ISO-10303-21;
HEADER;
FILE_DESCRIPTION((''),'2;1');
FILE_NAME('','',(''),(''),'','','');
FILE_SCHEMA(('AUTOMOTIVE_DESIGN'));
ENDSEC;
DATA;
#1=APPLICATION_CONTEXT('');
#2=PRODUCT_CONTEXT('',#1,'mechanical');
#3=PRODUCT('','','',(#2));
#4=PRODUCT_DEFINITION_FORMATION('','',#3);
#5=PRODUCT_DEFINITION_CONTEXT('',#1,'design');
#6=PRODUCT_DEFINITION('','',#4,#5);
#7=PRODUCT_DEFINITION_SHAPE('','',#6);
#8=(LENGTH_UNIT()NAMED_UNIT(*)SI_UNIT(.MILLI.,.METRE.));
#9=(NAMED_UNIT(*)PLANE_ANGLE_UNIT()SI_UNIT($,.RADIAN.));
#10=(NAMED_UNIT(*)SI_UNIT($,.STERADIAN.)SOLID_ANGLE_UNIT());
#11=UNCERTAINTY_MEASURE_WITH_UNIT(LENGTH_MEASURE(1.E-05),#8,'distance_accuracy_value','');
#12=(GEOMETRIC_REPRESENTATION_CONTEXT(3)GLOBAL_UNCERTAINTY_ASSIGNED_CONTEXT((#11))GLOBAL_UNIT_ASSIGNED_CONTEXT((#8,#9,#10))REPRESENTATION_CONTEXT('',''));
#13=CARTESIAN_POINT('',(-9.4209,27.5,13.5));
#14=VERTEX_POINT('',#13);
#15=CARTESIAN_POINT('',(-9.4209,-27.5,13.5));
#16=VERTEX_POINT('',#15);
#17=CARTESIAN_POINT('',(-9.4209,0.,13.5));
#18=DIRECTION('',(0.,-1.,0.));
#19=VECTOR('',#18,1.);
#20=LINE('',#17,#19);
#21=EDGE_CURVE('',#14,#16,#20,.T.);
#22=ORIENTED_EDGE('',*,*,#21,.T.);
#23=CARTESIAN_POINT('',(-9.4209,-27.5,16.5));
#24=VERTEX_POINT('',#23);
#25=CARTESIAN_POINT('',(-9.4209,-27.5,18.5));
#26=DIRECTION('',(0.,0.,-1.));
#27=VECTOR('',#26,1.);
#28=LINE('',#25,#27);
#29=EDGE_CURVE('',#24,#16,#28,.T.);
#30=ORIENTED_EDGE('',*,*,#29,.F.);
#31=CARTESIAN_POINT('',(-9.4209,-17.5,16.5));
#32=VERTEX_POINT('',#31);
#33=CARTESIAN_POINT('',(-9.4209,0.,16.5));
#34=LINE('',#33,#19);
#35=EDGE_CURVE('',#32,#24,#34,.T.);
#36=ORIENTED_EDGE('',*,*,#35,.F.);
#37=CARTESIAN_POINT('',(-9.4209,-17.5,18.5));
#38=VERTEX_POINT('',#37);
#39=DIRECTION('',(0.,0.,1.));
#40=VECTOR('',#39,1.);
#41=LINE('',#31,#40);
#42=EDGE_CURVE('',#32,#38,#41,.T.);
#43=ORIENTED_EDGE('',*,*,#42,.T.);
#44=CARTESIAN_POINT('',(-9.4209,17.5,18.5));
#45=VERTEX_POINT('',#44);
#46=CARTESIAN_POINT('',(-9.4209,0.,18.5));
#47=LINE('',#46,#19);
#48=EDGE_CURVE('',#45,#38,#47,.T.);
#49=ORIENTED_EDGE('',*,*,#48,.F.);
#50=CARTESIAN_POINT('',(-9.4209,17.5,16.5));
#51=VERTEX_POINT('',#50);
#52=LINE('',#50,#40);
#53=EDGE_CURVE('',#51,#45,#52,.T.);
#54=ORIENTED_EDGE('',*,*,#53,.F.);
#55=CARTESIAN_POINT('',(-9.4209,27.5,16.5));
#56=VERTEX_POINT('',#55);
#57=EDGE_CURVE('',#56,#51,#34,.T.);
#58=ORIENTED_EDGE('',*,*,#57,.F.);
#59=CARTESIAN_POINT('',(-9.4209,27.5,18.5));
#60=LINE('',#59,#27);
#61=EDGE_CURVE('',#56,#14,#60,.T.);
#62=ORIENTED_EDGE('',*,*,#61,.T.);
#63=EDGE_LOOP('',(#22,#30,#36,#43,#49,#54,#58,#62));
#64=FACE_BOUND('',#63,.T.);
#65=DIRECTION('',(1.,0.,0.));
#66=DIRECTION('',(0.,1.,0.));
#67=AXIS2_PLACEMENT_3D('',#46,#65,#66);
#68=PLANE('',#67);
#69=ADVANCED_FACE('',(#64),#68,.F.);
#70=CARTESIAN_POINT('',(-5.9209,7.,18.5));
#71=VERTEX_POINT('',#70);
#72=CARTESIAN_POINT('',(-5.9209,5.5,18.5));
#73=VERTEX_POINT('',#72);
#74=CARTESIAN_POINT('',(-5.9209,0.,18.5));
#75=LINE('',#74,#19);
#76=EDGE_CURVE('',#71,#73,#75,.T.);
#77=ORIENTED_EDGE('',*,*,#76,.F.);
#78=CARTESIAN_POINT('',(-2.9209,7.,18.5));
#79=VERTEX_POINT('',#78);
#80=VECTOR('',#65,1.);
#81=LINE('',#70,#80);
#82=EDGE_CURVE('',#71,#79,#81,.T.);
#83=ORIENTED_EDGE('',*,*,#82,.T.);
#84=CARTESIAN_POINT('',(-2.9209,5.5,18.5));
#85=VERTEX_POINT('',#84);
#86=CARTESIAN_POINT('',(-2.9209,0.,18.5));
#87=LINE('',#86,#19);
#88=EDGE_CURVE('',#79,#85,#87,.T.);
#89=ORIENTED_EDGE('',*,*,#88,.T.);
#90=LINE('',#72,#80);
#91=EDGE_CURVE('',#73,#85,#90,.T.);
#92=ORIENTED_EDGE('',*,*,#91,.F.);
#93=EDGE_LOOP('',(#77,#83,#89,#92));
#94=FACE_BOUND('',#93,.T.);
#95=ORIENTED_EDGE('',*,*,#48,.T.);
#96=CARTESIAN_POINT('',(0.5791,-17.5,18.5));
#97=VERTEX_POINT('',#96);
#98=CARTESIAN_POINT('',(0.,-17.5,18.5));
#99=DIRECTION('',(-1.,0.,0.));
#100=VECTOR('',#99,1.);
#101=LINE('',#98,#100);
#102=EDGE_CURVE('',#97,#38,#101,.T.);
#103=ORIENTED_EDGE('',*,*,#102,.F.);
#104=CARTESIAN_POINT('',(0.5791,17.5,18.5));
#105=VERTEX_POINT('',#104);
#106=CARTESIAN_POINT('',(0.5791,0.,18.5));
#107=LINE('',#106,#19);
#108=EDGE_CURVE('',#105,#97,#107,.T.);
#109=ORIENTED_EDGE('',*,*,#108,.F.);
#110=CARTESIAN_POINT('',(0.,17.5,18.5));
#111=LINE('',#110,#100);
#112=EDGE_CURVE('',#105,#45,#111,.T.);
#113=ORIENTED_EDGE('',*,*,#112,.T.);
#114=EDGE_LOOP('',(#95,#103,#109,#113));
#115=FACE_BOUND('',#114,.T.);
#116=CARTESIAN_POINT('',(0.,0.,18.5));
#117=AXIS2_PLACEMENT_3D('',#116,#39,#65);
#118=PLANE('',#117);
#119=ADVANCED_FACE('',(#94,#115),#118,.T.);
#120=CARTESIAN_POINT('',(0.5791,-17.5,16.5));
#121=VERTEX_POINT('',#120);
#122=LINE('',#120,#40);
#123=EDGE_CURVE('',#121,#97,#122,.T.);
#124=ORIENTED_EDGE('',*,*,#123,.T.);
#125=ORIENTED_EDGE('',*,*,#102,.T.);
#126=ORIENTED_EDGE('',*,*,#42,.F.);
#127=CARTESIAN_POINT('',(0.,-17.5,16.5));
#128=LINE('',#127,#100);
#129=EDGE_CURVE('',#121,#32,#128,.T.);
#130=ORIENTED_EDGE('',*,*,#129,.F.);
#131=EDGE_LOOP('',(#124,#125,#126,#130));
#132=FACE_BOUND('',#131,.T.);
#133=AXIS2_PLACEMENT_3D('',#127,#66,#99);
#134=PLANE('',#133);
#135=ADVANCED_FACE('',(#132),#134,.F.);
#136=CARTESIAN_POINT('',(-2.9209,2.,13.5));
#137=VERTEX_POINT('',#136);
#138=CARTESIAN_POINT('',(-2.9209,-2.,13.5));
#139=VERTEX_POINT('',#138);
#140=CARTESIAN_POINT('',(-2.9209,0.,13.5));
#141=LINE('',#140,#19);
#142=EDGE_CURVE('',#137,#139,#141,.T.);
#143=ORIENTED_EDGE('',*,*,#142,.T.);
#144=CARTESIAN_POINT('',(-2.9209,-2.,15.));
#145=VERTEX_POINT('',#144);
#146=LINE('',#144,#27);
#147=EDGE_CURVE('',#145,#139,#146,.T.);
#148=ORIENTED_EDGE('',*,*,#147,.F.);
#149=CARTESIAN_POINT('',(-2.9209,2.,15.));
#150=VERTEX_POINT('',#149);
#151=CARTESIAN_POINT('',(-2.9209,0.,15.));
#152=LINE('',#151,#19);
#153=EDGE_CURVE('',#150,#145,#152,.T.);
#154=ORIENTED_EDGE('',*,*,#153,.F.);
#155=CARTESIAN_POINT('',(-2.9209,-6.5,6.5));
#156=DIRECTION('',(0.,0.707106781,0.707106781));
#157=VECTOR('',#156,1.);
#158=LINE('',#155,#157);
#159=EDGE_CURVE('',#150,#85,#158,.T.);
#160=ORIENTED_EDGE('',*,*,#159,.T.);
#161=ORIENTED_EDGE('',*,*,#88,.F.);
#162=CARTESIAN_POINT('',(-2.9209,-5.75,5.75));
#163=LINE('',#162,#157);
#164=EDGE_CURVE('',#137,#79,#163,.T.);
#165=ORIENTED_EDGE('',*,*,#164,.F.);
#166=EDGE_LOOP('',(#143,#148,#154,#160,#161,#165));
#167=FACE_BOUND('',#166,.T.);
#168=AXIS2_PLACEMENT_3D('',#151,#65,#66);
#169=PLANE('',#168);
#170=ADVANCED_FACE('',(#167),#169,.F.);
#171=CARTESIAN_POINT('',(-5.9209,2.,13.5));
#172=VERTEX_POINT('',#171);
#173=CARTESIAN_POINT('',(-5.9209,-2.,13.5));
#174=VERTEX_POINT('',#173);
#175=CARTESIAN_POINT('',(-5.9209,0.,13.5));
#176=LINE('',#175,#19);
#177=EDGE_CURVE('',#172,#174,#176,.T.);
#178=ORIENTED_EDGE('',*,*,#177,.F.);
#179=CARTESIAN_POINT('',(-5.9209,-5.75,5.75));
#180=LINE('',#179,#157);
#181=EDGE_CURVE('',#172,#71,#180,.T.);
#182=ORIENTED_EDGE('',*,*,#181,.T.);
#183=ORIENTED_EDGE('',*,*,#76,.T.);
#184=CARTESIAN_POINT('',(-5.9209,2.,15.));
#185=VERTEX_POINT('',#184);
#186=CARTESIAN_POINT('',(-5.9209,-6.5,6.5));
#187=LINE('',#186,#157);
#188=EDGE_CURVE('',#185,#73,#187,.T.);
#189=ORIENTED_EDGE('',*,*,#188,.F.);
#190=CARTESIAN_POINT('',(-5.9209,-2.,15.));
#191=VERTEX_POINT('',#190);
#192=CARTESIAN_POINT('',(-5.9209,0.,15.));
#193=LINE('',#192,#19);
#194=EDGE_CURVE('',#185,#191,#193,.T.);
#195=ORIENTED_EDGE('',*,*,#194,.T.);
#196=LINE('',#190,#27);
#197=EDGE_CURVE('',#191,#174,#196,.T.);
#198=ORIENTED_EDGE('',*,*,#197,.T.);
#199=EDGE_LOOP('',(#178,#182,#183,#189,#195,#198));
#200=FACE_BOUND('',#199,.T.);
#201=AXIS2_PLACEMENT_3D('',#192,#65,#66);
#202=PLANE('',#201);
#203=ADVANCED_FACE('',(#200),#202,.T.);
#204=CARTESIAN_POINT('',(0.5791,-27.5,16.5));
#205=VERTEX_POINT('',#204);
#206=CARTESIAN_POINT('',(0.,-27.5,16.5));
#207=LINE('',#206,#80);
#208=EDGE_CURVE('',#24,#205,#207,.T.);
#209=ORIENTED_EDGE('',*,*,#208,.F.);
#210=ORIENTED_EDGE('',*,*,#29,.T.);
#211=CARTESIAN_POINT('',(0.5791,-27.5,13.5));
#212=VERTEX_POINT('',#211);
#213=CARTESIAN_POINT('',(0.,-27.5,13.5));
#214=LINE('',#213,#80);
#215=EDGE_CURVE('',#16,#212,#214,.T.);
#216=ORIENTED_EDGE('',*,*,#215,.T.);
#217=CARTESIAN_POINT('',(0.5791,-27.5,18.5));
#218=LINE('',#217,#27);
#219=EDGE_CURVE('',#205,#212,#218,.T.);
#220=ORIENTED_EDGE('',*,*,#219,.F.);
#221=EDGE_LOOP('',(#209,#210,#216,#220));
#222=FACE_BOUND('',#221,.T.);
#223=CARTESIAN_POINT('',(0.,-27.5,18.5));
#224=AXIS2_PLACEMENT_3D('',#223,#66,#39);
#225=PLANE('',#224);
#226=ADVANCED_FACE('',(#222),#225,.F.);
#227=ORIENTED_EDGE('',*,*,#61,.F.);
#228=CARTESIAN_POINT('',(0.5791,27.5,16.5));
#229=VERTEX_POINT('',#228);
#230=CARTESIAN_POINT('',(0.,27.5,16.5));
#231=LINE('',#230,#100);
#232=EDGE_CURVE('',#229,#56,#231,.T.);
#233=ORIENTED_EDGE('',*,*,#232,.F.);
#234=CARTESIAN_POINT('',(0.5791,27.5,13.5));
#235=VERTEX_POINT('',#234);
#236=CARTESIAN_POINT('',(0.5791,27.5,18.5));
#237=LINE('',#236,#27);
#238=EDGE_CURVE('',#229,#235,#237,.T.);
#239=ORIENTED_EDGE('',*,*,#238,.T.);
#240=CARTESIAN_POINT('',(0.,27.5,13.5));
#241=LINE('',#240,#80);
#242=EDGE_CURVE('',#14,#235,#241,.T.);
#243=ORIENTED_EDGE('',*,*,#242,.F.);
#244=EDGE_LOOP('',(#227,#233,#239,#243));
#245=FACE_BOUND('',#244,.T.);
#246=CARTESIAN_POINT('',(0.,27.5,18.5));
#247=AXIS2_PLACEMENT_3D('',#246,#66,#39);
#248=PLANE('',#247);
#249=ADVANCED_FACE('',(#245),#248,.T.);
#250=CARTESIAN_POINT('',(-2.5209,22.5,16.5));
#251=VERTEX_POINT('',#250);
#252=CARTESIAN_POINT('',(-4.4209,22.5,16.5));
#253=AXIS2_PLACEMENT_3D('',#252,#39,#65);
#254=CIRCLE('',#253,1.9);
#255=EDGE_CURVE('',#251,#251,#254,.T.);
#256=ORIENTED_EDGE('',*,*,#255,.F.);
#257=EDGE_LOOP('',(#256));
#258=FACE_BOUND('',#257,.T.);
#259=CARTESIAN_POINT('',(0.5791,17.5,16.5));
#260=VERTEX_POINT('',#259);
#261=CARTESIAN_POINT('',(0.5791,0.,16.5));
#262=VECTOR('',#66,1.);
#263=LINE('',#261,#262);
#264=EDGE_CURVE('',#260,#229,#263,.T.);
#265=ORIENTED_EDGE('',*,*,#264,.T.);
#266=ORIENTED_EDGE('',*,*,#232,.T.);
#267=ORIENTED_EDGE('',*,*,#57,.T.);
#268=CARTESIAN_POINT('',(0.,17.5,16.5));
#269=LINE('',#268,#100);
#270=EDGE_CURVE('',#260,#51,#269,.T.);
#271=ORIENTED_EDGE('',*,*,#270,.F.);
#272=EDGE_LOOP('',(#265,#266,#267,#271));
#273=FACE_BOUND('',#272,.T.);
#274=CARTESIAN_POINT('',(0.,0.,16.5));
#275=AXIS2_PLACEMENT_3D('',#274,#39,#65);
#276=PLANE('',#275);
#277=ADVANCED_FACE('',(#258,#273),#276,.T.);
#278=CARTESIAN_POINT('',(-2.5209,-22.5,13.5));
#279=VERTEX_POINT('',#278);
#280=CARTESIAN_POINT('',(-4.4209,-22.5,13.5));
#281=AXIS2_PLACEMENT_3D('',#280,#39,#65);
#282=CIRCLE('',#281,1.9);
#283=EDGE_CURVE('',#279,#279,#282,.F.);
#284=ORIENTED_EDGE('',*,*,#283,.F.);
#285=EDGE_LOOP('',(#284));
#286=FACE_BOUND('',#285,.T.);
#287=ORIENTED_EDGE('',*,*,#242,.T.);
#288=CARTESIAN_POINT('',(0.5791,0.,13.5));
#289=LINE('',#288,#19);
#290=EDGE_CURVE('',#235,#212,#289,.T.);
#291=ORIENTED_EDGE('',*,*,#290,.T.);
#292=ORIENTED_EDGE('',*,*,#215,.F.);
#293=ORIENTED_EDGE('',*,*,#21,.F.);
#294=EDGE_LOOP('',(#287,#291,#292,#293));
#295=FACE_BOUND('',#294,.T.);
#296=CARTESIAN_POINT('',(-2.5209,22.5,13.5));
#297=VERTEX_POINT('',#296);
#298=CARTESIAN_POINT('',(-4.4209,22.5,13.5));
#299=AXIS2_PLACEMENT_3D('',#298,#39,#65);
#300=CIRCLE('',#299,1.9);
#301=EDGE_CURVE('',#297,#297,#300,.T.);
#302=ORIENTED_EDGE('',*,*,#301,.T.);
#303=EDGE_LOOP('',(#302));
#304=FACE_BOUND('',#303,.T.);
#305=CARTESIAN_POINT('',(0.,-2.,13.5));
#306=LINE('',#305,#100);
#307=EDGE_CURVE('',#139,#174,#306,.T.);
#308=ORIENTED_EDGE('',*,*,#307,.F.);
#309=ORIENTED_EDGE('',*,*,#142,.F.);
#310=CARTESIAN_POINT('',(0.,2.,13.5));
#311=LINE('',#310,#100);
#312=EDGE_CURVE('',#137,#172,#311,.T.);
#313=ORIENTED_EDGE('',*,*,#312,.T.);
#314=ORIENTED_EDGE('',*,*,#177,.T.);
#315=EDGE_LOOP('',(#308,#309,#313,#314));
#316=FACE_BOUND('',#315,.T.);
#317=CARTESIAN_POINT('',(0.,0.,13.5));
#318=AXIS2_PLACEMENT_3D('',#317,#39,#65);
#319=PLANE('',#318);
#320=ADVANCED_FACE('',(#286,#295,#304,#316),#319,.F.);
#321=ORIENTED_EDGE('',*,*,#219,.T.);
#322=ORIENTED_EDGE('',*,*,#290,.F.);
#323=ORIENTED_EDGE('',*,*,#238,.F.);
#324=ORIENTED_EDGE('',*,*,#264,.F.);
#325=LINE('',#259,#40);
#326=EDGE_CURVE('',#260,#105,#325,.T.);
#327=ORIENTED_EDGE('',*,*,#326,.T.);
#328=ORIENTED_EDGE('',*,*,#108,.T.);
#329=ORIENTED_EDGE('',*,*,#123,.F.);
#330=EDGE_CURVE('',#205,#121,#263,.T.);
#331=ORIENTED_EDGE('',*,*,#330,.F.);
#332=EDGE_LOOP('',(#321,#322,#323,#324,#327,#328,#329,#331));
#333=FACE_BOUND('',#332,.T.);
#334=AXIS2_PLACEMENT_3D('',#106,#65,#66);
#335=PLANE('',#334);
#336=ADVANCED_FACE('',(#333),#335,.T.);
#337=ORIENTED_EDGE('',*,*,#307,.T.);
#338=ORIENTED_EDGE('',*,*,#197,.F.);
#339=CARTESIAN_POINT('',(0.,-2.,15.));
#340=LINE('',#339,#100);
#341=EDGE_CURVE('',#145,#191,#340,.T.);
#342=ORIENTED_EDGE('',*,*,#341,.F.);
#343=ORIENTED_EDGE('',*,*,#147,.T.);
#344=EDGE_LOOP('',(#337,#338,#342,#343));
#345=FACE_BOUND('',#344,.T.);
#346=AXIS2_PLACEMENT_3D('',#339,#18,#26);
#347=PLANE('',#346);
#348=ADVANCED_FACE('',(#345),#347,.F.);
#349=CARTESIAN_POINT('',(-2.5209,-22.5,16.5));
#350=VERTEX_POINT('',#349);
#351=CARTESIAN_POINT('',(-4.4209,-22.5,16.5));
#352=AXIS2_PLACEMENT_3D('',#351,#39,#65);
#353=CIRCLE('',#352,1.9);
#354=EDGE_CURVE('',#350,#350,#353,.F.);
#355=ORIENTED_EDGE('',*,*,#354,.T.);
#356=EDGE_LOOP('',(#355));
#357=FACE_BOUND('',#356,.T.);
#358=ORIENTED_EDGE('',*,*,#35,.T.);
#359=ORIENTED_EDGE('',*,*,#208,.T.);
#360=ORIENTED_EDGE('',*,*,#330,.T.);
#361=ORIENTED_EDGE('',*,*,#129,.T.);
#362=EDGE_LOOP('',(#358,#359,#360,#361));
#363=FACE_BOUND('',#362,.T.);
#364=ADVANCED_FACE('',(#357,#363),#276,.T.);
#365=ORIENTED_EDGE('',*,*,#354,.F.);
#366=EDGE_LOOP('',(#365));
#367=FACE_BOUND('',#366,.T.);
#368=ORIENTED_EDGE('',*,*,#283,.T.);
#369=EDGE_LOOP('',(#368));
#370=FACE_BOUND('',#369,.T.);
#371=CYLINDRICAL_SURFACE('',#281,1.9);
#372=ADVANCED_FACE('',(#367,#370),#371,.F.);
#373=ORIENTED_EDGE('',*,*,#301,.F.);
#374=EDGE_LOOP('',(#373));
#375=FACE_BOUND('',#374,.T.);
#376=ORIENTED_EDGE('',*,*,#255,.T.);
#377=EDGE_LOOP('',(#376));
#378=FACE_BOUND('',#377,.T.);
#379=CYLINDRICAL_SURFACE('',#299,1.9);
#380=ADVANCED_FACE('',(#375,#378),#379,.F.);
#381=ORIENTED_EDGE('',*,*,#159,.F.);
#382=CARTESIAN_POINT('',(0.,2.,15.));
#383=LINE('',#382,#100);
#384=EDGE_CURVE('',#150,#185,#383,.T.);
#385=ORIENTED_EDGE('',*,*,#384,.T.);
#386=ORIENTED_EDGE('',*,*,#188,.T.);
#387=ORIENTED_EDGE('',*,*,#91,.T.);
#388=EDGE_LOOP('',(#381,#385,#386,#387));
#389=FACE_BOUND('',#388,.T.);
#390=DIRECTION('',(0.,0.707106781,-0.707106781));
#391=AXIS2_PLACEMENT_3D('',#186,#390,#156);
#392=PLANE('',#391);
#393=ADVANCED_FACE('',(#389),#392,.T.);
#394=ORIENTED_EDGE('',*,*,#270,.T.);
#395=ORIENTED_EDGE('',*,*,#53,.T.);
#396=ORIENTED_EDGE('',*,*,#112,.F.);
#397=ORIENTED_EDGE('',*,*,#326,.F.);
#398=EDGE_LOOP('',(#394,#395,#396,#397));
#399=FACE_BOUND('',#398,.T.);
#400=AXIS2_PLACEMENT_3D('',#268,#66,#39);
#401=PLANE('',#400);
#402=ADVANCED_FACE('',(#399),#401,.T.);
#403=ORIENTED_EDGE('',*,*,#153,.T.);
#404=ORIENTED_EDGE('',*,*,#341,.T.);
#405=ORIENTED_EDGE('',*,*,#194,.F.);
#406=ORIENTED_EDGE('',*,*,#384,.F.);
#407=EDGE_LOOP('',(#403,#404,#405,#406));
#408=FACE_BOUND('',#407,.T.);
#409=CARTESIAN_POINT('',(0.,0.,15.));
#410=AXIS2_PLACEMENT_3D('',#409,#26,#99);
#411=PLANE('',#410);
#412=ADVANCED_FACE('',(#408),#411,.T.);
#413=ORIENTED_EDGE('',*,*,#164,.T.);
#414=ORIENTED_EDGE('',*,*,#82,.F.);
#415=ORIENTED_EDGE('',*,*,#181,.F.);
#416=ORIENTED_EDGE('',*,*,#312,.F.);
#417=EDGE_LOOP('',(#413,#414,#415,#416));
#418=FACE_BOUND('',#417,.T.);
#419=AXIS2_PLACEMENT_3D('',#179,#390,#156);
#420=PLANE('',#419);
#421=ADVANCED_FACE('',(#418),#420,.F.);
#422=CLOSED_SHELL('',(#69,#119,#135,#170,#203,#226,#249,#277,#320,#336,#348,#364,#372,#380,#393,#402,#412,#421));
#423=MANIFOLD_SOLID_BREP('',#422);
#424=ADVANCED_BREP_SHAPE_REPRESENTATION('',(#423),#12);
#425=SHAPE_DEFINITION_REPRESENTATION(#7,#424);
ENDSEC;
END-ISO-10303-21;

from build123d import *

# Parameters (mm, degrees)
SKETCH1_W           = 10
SKETCH1_H           = 55
SKETCH1_W_2         = 4.5
SKETCH1_H_2         = 4
SKETCH1_H_3         = 2
BOSS_EXTRUDE2_DEPTH = 5
SKETCH2_W           = 5
SKETCH2_H           = 10
SKETCH2_W_2         = 10
CUT_EXTRUDE1_DEPTH  = 2
CUT_EXTRUDE2_DEPTH  = 30.223335826
SKETCH4_W           = 3
SKETCH4_H           = 2
CUT_EXTRUDE3_DEPTH  = 1.5
CUT_EXTRUDE4_DEPTH  = 3


with BuildPart() as part:
    # Sketch1 → Boss-Extrude2 (new body)
    # profile 1 of 3: a face of its own
    with BuildSketch(Plane.XY.offset(13.5)):
        with Locations((-4.4209, 0)):
            Rectangle(SKETCH1_W, SKETCH1_H)
        with Locations((-4.4209, 0)):
            Rectangle(SKETCH1_W_2, SKETCH1_H_2, mode=Mode.SUBTRACT)
    # profile 2 of 3: a face of its own
    with BuildSketch(Plane.XY.offset(13.5)):
        with Locations((-4.4209, -1)):
            Rectangle(SKETCH1_W_2, SKETCH1_H_3)
    # profile 3 of 3: a face of its own
    with BuildSketch(Plane.XY.offset(13.5)):
        with Locations((-4.4209, 1)):
            Rectangle(SKETCH1_W_2, SKETCH1_H_3)
    extrude(amount=BOSS_EXTRUDE2_DEPTH)

    # Sketch2 → Cut-Extrude1 (cut)
    with BuildSketch(Plane.XY.offset(18.5)):
        with Locations((-6.9209, 22.5)):
            Rectangle(SKETCH2_W, SKETCH2_H)
        with Locations((-1.9209, 22.5)):
            Rectangle(SKETCH2_W, SKETCH2_H)
        with Locations((-4.4209, -22.5)):
            Rectangle(SKETCH2_W_2, SKETCH2_H)
    extrude(amount=-CUT_EXTRUDE1_DEPTH, mode=Mode.SUBTRACT)

    # Sketch3 → Cut-Extrude2 (cut, through all)
    with BuildSketch(Plane.XY.offset(16.5)):
        with BuildLine():
            ThreePointArc((-2.5209, 22.5), (-3.077397116, 23.843502884), (-4.4209, 24.4))
            Line((-4.4209, 24.4), (-4.4209, 20.6))
            ThreePointArc((-4.4209, 20.6), (-3.077397116, 21.156497116), (-2.5209, 22.5))
        make_face()
        with BuildLine():
            Line((-4.4209, 20.6), (-4.4209, 24.4))
            ThreePointArc((-4.4209, 24.4), (-6.3209, 22.5), (-4.4209, 20.6))
        make_face()
        with BuildLine():
            ThreePointArc((-2.5209, -22.5), (-3.077397116, -21.156497116), (-4.4209, -20.6))
            Line((-4.4209, -20.6), (-4.4209, -24.4))
            ThreePointArc((-4.4209, -24.4), (-3.077397116, -23.843502884), (-2.5209, -22.5))
        make_face()
        with BuildLine():
            Line((-4.4209, -24.4), (-4.4209, -20.6))
            ThreePointArc((-4.4209, -20.6), (-6.3209, -22.5), (-4.4209, -24.4))
        make_face()
    extrude(amount=-CUT_EXTRUDE2_DEPTH, mode=Mode.SUBTRACT)

    # Sketch4 → Cut-Extrude3 (cut)
    with BuildSketch(Plane(origin=(0, 0, 13.5), x_dir=(-1, 0, 0), z_dir=(0, 0, -1))):
        with Locations((4.4209, -1)):
            Rectangle(SKETCH4_W, SKETCH4_H)
        with Locations((4.4209, 1)):
            Rectangle(SKETCH4_W, SKETCH4_H)
    extrude(amount=-CUT_EXTRUDE3_DEPTH, mode=Mode.SUBTRACT)

    # Sketch5 → Cut-Extrude4 (cut)
    with BuildSketch(Plane.ZY.offset(2.9209)):
        Polygon((18.5, 7), (18.5, 5.5), (15, 2), (13.5, 2), align=None)
    extrude(amount=CUT_EXTRUDE4_DEPTH, mode=Mode.SUBTRACT)


solid = part.part
